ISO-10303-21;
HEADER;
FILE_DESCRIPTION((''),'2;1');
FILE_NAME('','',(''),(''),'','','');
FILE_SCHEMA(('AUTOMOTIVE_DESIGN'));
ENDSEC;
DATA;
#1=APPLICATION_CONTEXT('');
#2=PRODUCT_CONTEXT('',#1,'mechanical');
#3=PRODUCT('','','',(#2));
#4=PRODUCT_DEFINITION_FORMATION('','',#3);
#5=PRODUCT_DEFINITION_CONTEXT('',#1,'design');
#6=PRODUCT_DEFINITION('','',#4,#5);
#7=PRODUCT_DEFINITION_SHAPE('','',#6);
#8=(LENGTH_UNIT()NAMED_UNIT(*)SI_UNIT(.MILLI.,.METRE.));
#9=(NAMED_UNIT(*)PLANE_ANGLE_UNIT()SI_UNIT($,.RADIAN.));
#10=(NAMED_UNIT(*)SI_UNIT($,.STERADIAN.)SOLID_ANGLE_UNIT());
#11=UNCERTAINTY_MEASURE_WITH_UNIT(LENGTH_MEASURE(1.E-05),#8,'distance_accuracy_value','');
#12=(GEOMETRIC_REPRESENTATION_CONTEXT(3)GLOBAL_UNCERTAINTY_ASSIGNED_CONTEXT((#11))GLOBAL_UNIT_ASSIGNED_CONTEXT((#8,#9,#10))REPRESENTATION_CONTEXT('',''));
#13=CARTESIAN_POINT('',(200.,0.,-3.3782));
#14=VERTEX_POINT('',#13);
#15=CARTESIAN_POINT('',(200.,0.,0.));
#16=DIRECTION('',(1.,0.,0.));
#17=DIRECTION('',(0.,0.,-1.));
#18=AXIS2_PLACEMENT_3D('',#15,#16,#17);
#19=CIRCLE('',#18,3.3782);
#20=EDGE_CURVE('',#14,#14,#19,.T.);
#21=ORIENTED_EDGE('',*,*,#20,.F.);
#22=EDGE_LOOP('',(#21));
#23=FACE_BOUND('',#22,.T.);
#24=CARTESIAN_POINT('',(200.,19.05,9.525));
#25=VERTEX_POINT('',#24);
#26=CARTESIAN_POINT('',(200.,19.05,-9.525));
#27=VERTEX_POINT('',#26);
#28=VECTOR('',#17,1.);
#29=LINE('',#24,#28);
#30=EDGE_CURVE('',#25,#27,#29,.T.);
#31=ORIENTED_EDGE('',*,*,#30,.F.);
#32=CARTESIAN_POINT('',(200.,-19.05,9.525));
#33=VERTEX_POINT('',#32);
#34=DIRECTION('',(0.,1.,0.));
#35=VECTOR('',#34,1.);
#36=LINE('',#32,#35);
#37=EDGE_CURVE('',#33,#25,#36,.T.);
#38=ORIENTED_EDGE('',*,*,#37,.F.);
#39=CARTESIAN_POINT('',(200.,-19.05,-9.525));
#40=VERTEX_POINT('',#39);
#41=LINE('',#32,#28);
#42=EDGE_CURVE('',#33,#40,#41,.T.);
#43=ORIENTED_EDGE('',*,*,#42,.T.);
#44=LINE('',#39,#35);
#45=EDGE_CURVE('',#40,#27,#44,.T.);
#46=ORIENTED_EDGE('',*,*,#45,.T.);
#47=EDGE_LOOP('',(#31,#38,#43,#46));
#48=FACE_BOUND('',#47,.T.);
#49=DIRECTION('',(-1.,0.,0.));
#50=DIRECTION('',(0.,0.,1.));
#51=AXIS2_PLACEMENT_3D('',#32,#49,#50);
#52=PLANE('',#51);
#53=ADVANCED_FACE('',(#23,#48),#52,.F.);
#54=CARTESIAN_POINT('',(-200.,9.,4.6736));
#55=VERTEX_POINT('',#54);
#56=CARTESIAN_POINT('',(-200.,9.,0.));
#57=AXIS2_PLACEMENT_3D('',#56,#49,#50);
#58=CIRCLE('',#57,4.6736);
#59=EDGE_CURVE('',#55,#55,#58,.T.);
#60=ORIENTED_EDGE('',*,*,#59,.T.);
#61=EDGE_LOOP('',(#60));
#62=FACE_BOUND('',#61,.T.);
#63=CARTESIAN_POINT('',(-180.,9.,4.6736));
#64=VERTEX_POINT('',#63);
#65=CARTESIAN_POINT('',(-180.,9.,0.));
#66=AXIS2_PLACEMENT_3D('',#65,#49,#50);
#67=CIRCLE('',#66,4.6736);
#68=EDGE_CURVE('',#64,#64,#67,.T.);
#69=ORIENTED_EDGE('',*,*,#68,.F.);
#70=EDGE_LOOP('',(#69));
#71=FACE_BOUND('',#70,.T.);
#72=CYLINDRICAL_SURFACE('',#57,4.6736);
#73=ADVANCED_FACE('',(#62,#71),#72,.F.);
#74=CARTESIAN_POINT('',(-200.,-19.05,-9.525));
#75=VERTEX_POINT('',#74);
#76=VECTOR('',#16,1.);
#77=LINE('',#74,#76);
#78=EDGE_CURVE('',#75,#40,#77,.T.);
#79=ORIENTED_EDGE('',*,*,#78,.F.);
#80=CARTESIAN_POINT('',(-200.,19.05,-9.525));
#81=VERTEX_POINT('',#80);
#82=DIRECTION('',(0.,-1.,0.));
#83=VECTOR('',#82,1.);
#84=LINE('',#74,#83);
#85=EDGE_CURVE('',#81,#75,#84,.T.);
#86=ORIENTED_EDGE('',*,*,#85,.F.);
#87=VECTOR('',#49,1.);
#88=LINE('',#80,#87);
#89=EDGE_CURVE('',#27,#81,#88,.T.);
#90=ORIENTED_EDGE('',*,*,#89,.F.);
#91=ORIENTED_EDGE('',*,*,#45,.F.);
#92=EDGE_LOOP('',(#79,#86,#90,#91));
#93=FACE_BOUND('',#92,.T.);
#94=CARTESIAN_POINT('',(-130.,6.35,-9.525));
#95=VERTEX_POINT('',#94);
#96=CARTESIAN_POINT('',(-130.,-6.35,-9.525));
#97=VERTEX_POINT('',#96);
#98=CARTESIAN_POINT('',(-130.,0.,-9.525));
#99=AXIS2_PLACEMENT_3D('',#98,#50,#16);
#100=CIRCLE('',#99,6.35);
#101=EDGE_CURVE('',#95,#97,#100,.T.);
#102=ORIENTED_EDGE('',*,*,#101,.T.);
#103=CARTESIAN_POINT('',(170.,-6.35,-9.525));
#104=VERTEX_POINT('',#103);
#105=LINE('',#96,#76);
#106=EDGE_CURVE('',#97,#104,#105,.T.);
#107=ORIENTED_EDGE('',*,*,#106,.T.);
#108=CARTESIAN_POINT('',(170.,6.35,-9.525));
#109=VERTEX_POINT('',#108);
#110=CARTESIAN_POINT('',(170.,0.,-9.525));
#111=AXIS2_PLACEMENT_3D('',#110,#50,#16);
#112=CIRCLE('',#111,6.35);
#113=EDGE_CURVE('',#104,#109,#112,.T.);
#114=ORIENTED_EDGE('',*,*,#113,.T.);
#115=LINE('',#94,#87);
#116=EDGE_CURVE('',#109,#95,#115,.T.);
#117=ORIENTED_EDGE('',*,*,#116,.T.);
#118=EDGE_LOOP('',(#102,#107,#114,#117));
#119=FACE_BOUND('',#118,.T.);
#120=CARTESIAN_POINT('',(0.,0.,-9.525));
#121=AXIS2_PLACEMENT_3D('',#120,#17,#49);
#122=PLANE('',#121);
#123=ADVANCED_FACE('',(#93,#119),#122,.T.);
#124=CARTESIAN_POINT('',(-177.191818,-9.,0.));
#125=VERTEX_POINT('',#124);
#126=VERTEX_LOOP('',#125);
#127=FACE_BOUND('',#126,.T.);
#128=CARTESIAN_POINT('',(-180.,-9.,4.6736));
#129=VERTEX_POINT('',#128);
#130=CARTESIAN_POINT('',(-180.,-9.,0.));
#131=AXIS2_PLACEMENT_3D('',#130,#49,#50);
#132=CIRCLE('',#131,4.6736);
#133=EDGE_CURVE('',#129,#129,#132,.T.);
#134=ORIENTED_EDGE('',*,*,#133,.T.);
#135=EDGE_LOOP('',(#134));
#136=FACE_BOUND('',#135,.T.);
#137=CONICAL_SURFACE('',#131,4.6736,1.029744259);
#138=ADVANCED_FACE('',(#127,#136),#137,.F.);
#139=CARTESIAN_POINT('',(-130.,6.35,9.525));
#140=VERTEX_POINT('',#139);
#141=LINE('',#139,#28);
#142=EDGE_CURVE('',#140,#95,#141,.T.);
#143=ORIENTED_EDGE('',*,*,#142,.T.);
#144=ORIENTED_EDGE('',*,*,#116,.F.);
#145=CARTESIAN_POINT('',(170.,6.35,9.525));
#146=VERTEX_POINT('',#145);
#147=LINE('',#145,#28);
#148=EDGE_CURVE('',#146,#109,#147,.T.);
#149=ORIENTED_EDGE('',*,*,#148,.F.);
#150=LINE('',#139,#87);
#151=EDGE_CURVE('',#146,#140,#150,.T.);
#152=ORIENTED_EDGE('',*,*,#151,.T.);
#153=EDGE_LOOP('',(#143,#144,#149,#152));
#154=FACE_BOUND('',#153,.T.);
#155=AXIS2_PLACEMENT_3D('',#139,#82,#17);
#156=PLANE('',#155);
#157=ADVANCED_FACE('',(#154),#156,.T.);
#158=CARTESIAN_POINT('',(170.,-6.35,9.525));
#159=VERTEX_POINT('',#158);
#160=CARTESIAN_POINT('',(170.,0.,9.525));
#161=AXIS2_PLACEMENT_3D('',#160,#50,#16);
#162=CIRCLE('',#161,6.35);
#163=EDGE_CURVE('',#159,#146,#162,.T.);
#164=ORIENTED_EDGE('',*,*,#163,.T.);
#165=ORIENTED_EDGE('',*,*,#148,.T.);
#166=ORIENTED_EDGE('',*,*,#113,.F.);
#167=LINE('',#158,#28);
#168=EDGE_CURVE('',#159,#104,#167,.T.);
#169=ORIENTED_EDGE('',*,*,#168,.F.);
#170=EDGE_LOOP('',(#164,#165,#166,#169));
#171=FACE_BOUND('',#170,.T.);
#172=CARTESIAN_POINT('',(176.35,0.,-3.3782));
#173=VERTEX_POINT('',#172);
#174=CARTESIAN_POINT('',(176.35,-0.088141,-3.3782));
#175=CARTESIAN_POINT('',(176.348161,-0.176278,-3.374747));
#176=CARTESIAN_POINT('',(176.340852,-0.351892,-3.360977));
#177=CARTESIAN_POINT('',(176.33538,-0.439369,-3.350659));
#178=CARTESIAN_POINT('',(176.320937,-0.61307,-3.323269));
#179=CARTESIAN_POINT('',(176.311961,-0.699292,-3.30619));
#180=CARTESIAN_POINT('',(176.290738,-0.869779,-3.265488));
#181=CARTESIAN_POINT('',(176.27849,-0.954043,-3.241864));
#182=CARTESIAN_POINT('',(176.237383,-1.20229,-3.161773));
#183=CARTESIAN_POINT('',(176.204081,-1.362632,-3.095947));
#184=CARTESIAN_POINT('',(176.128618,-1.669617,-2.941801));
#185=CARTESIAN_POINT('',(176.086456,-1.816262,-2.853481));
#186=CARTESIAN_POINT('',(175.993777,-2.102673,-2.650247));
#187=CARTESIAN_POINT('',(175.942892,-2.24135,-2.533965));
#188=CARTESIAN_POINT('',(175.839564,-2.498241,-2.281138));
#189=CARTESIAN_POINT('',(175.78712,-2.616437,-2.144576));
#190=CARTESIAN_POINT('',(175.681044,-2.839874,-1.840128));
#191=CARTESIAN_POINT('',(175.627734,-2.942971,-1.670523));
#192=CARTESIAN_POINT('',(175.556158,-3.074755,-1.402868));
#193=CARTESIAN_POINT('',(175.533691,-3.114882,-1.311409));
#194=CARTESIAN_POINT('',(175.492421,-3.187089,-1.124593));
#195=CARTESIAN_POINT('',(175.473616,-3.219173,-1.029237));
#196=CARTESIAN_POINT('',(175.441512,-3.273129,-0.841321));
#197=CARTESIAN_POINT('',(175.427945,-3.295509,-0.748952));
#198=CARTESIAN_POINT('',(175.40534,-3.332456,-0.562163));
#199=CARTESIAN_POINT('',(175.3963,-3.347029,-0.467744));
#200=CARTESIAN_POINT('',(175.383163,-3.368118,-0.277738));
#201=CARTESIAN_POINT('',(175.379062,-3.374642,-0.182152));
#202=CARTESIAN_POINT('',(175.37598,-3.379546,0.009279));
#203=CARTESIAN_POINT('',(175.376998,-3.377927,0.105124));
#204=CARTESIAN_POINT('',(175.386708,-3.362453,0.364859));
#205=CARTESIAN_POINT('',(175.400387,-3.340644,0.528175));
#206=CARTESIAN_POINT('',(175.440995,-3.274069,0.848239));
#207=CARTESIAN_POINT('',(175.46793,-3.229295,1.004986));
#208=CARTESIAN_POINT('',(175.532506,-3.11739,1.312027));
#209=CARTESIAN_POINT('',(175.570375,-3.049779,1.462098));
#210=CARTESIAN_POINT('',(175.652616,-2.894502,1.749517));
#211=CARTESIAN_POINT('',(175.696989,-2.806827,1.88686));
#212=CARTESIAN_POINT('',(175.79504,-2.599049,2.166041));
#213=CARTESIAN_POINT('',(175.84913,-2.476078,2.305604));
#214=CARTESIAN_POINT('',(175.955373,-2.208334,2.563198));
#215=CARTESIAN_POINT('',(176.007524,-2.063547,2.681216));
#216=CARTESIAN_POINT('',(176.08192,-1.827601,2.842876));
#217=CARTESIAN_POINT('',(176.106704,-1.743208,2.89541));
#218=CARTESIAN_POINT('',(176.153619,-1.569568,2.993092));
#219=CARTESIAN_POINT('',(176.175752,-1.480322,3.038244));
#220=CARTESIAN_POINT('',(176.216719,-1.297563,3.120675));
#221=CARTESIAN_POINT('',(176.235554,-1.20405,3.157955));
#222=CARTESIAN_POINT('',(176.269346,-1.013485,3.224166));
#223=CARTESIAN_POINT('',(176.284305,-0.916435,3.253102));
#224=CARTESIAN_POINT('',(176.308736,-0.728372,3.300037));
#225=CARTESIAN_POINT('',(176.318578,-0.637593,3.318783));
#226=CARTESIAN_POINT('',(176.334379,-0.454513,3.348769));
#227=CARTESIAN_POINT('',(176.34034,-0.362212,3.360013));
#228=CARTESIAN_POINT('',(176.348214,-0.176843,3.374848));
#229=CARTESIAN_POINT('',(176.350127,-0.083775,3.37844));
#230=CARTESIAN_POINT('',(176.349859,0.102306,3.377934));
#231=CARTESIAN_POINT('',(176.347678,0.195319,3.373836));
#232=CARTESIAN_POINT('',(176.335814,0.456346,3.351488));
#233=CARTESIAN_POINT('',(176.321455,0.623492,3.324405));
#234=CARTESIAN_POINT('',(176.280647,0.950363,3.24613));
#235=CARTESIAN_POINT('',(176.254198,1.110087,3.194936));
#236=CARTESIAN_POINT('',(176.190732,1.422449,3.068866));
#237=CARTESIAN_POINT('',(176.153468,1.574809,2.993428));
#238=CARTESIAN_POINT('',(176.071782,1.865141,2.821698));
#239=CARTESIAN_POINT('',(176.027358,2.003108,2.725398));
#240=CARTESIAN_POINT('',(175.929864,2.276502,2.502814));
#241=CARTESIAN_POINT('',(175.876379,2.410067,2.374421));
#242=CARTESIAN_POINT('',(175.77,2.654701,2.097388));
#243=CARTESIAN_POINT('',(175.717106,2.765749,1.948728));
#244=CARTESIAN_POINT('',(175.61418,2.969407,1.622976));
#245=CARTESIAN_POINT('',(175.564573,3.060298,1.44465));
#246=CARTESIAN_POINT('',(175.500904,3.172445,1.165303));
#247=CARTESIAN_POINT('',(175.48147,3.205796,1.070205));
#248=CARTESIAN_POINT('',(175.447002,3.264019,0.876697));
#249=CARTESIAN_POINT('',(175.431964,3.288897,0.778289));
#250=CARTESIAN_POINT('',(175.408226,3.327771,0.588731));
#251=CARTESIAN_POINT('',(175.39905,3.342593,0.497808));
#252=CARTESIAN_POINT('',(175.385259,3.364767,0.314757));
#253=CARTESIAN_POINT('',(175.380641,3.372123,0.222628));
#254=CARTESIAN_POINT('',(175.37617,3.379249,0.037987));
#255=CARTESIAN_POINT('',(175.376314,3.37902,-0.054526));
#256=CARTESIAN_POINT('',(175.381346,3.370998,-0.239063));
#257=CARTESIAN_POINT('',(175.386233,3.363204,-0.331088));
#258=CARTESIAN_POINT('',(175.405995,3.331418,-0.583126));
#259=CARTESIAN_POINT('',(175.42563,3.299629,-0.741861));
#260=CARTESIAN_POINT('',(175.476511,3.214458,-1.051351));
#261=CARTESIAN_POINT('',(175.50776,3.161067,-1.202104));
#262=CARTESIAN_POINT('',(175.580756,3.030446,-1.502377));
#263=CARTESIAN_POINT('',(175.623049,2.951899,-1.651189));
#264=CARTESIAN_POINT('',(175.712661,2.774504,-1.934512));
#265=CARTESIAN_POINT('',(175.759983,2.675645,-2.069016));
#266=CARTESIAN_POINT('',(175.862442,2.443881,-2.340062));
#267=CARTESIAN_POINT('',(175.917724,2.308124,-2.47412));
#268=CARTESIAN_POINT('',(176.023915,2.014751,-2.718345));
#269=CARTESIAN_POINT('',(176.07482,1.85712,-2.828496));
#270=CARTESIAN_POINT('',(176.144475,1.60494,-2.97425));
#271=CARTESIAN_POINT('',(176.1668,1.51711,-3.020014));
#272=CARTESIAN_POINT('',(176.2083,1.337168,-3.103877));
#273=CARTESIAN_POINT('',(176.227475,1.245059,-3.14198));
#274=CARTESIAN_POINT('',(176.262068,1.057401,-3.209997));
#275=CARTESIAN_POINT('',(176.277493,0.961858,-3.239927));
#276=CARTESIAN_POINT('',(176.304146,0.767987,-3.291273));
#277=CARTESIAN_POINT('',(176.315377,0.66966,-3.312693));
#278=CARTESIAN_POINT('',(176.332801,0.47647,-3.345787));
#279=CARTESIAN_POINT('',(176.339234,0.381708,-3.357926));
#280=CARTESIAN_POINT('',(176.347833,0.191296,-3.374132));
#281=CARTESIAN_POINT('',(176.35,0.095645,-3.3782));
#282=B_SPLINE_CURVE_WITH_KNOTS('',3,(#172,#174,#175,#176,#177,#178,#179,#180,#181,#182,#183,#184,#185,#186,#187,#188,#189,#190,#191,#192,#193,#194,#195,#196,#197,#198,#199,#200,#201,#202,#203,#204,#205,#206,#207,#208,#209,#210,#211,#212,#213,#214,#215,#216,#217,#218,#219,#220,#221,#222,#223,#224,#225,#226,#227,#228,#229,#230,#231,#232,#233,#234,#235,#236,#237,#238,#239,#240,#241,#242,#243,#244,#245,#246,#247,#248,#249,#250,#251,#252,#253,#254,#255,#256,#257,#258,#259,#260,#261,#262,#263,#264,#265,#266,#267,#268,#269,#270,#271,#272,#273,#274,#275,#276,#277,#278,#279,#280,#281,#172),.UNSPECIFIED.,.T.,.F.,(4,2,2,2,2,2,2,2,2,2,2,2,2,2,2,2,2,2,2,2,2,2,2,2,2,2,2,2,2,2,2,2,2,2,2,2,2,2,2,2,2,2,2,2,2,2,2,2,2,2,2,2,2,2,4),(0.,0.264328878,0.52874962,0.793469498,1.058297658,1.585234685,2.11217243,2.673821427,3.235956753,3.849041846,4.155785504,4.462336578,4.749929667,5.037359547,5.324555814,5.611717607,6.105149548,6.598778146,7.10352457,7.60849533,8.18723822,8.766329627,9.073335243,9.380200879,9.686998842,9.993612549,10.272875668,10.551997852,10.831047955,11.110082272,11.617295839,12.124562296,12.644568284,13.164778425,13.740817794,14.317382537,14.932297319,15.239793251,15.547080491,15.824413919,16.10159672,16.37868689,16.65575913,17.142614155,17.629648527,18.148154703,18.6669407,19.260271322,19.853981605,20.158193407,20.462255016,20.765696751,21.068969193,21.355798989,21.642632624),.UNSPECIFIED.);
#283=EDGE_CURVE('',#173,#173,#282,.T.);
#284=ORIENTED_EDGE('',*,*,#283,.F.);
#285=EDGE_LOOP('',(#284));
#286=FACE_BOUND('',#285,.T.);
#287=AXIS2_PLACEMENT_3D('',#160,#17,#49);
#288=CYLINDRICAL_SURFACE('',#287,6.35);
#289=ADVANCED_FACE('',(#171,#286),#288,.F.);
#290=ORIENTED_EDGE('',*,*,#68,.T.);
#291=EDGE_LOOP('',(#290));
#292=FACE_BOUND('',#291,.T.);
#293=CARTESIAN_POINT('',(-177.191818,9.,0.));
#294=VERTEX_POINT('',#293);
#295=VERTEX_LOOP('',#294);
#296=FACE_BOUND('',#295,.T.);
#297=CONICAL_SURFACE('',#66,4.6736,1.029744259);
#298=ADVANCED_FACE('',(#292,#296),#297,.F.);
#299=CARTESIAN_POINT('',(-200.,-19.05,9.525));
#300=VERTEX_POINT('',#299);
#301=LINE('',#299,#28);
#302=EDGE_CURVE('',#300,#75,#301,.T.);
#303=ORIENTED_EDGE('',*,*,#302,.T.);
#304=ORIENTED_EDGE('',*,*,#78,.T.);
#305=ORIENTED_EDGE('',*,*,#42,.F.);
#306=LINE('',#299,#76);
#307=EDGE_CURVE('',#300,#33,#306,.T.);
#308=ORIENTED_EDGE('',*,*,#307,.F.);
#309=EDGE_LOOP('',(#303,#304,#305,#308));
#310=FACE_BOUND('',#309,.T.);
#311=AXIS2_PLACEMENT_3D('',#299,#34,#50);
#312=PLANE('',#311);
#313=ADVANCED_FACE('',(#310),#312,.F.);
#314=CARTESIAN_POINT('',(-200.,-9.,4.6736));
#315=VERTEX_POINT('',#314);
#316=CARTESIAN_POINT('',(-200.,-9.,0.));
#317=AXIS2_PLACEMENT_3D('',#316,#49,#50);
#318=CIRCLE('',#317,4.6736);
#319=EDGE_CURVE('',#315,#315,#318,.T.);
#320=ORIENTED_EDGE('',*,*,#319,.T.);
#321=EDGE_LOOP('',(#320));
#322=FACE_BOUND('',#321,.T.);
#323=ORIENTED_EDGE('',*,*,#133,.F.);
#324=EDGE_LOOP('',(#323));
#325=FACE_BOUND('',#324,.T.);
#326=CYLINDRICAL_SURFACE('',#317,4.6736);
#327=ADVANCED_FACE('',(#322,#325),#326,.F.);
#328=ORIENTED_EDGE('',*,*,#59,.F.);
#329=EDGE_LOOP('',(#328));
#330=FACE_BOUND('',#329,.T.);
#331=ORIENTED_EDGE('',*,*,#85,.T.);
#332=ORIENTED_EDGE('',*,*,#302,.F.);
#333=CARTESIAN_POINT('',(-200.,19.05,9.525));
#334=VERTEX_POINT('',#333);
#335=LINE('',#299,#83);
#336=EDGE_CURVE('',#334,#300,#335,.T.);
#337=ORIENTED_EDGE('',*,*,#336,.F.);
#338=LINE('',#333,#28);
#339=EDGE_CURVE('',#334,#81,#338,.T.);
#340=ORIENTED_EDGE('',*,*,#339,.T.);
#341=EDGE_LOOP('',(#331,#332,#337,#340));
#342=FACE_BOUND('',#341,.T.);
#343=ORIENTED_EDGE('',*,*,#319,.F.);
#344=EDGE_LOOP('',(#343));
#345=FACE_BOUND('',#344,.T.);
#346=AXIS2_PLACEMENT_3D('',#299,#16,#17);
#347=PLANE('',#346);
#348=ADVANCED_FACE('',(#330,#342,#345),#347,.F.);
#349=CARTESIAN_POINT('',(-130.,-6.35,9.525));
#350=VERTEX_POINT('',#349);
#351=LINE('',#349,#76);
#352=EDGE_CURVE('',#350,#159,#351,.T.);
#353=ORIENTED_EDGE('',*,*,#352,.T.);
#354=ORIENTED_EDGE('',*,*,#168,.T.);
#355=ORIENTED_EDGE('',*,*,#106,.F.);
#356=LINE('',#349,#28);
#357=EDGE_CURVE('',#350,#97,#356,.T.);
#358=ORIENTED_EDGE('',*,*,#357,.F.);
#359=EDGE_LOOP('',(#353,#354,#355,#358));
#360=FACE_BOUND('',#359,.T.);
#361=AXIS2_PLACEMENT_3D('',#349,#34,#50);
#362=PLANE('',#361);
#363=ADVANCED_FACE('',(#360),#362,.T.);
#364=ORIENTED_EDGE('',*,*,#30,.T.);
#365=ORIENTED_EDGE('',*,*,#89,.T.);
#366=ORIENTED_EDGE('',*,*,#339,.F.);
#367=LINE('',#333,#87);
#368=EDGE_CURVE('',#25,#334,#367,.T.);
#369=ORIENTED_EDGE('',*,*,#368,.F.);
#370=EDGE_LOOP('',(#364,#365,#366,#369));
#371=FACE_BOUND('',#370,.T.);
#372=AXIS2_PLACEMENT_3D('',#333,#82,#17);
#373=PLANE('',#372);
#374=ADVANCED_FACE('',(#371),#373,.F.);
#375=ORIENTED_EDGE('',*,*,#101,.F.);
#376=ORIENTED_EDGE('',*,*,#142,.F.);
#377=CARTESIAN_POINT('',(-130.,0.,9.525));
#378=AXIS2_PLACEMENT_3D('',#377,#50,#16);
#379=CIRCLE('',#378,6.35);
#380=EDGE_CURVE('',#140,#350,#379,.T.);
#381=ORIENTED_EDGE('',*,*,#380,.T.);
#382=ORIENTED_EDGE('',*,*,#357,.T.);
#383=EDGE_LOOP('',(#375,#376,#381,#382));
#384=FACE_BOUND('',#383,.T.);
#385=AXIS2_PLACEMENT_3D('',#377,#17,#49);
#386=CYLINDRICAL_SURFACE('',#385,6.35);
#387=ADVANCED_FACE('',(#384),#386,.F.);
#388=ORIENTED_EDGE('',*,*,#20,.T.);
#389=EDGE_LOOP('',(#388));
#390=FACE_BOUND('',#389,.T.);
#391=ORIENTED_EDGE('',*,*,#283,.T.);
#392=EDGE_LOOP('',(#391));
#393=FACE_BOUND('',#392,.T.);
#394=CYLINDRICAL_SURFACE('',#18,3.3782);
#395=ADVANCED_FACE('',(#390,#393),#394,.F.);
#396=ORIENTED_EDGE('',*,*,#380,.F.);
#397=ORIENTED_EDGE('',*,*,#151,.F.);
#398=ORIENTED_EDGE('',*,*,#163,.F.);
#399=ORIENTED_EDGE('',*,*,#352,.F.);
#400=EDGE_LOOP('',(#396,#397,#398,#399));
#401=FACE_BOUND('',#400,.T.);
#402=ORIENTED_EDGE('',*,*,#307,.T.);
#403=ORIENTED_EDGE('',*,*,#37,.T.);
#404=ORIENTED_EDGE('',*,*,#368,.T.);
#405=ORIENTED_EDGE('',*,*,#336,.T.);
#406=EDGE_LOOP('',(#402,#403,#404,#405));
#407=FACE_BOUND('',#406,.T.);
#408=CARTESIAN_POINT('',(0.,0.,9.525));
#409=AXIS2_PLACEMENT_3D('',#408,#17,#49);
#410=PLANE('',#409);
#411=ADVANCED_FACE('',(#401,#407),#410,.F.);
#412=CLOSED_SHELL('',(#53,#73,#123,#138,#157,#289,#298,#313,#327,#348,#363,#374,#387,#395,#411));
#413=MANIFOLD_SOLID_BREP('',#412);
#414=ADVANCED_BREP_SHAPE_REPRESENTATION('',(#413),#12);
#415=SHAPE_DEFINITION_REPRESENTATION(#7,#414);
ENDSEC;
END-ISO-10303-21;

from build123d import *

# Parameters (mm, degrees)
CROQUIS1_W                         = 400
CROQUIS1_H                         = 38.1
SALIENTE_EXTRUIR1_DEPTH            = 9.525
TALADRO_DE_MARGEN_PARA_1_41_REACH  = 402.567
TALADRO_DE_MARGEN_PARA_1_41_BORE_R = 3.3782
TALADRO_ROSCADO_7_16_141_D         = 9.3472
TALADRO_ROSCADO_7_16_141_DEPTH     = 20
TALADRO_ROSCADO_7_16_141_TIP       = 2.808182189


with BuildPart() as part:
    # Croquis1 → Saliente-Extruir1 (new, symmetric)
    with BuildSketch(Plane.XY):
        Rectangle(CROQUIS1_W, CROQUIS1_H)
        with BuildLine():
            Line((-130, 6.35), (170, 6.35))
            ThreePointArc((170, 6.35), (176.35, 0), (170, -6.35))
            Line((170, -6.35), (-130, -6.35))
            ThreePointArc((-130, -6.35), (-136.35, 0), (-130, 6.35))
        make_face(mode=Mode.SUBTRACT)
    extrude(amount=SALIENTE_EXTRUIR1_DEPTH, both=True)

    # Taladro de margen para 1/41 bore → Taladro de margen para 1/41 (cut, up to next)
    with BuildSketch(Plane(origin=(200, 0, 0), x_dir=(0, 0, -1), z_dir=(1, 0, 0)), mode=Mode.PRIVATE) as taladro_de_margen_para_1_41_sk1:
        Circle(TALADRO_DE_MARGEN_PARA_1_41_BORE_R)
    taladro_de_margen_para_1_41_tool1 = extrude(taladro_de_margen_para_1_41_sk1.sketch, amount=-TALADRO_DE_MARGEN_PARA_1_41_REACH, mode=Mode.PRIVATE) & part.part
    add(taladro_de_margen_para_1_41_tool1.solids().sort_by_distance((200, 0, 0))[0], mode=Mode.SUBTRACT)

    # Taladro roscado 7/16-141
    with Locations(Plane.ZY.offset(200)):
        with Locations((0, 9), (0, -9)):
            Hole(TALADRO_ROSCADO_7_16_141_D / 2, depth=TALADRO_ROSCADO_7_16_141_DEPTH)
            with Locations((0, 0, -(TALADRO_ROSCADO_7_16_141_DEPTH + TALADRO_ROSCADO_7_16_141_TIP / 2))):  # 118° drill point
                Cone(0, TALADRO_ROSCADO_7_16_141_D / 2, TALADRO_ROSCADO_7_16_141_TIP, mode=Mode.SUBTRACT)


solid = part.part
